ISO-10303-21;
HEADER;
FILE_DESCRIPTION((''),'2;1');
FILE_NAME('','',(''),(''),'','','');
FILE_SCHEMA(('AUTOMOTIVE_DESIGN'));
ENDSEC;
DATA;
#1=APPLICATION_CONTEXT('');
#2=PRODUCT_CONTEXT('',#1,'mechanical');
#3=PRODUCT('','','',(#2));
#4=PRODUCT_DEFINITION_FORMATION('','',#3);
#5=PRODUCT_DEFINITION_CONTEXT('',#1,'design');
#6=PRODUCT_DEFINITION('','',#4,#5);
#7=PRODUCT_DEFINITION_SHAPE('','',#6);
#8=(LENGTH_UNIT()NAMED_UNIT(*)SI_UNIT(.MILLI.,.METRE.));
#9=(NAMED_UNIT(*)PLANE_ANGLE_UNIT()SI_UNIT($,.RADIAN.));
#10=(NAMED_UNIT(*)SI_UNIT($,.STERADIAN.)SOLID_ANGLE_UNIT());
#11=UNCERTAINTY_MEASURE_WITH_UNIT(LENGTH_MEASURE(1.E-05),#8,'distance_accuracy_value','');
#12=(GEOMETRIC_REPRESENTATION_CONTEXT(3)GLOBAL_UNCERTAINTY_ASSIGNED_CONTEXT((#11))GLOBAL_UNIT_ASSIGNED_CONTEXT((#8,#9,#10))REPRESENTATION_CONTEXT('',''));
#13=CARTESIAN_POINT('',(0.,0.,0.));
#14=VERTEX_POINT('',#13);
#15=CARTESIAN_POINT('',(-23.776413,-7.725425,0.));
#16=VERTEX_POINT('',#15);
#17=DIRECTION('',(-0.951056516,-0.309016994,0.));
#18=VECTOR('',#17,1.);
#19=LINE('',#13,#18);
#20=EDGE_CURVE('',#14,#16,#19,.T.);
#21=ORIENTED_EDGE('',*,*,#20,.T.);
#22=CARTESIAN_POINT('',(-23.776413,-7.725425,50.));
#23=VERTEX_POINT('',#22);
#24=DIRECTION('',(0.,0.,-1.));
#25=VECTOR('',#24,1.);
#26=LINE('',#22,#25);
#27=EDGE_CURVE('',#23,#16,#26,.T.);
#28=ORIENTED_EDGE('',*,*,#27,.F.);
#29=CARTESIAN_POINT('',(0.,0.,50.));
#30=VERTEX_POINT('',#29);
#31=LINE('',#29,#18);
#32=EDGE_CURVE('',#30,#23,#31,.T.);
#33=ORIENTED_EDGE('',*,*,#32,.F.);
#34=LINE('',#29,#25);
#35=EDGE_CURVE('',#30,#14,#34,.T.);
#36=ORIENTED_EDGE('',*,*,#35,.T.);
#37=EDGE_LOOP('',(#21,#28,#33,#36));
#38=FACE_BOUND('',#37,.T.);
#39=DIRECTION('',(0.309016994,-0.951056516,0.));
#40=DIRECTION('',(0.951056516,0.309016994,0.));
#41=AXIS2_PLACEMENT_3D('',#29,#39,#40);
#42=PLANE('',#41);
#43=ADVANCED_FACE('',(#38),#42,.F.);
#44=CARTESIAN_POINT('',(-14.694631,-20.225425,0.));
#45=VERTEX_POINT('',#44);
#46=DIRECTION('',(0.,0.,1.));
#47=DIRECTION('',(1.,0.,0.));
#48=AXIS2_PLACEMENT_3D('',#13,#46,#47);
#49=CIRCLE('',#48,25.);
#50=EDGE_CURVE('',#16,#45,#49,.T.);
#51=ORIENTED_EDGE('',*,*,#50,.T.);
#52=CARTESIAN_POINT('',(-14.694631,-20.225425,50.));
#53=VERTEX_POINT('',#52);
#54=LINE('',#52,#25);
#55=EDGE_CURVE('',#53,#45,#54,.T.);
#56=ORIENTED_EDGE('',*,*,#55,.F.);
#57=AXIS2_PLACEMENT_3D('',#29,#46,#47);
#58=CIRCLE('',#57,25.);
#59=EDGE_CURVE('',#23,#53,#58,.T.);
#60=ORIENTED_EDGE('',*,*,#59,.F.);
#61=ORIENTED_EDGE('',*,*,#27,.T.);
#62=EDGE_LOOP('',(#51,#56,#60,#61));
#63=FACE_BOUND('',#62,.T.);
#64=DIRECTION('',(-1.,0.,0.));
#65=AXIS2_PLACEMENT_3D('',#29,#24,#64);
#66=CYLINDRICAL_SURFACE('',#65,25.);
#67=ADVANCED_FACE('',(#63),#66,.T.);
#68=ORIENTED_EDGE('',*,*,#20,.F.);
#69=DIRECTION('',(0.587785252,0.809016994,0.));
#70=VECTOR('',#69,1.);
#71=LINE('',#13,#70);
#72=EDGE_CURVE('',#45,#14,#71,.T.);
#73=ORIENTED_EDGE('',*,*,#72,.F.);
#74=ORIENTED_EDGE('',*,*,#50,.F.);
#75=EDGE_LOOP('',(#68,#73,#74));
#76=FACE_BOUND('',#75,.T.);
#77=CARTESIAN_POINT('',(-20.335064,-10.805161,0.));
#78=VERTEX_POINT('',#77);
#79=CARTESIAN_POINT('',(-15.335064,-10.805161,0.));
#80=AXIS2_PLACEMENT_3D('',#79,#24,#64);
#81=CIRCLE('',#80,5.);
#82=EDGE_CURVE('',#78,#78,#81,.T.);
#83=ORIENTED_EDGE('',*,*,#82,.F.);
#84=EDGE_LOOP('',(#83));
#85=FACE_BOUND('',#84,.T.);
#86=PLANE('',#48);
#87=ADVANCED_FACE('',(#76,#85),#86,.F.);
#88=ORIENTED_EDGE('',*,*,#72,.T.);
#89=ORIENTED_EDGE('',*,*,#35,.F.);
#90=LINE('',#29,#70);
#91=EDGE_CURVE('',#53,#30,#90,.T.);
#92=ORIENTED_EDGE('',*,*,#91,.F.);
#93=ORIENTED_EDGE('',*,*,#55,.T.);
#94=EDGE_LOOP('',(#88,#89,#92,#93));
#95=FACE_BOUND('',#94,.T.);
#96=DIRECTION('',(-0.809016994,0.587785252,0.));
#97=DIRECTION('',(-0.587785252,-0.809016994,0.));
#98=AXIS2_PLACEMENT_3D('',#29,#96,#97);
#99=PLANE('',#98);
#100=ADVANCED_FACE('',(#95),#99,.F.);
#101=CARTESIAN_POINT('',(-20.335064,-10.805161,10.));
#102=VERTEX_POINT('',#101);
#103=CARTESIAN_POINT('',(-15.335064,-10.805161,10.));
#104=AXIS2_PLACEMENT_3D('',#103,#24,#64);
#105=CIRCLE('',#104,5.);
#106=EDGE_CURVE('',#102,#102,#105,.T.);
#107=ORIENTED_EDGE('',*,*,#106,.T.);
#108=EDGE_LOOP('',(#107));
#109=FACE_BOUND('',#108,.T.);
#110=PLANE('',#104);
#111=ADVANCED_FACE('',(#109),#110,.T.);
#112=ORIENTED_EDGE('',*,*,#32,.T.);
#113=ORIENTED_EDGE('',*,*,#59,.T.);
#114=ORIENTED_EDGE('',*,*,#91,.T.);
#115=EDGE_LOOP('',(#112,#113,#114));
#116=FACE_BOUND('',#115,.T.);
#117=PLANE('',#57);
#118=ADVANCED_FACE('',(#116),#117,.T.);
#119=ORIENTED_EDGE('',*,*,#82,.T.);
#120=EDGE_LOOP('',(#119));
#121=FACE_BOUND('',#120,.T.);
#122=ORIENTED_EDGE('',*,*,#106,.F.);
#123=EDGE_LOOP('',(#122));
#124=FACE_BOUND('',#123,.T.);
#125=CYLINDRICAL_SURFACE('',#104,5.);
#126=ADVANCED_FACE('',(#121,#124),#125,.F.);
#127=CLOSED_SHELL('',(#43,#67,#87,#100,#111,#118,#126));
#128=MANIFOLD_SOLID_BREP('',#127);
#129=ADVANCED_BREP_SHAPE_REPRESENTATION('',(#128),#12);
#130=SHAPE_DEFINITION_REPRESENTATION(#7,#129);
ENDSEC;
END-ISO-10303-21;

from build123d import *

# Parameters (mm, degrees)
SALIENTE_EXTRUIR1_DEPTH = 50
CROQUIS2_R              = 5
CORTAR_EXTRUIR1_DEPTH   = 10


with BuildPart() as part:
    # Croquis1 → Saliente-Extruir1 (new body)
    with BuildSketch(Plane.XY):
        with BuildLine():
            Line((0, 0), (-23.776412907, -7.725424859))
            ThreePointArc((-23.776412907, -7.725424859), (-20.225424859, -14.694631307), (-14.694631307, -20.225424859))
            Line((-14.694631307, -20.225424859), (0, 0))
        make_face()
    extrude(amount=SALIENTE_EXTRUIR1_DEPTH)

    # Croquis2 → Cortar-Extruir1 (cut)
    with BuildSketch(Plane(origin=(0, 0, 0), x_dir=(-1, 0, 0), z_dir=(0, 0, -1))):
        with Locations((15.335063594, -10.805161409)):
            Circle(CROQUIS2_R)
    extrude(amount=-CORTAR_EXTRUIR1_DEPTH, mode=Mode.SUBTRACT)


solid = part.part
